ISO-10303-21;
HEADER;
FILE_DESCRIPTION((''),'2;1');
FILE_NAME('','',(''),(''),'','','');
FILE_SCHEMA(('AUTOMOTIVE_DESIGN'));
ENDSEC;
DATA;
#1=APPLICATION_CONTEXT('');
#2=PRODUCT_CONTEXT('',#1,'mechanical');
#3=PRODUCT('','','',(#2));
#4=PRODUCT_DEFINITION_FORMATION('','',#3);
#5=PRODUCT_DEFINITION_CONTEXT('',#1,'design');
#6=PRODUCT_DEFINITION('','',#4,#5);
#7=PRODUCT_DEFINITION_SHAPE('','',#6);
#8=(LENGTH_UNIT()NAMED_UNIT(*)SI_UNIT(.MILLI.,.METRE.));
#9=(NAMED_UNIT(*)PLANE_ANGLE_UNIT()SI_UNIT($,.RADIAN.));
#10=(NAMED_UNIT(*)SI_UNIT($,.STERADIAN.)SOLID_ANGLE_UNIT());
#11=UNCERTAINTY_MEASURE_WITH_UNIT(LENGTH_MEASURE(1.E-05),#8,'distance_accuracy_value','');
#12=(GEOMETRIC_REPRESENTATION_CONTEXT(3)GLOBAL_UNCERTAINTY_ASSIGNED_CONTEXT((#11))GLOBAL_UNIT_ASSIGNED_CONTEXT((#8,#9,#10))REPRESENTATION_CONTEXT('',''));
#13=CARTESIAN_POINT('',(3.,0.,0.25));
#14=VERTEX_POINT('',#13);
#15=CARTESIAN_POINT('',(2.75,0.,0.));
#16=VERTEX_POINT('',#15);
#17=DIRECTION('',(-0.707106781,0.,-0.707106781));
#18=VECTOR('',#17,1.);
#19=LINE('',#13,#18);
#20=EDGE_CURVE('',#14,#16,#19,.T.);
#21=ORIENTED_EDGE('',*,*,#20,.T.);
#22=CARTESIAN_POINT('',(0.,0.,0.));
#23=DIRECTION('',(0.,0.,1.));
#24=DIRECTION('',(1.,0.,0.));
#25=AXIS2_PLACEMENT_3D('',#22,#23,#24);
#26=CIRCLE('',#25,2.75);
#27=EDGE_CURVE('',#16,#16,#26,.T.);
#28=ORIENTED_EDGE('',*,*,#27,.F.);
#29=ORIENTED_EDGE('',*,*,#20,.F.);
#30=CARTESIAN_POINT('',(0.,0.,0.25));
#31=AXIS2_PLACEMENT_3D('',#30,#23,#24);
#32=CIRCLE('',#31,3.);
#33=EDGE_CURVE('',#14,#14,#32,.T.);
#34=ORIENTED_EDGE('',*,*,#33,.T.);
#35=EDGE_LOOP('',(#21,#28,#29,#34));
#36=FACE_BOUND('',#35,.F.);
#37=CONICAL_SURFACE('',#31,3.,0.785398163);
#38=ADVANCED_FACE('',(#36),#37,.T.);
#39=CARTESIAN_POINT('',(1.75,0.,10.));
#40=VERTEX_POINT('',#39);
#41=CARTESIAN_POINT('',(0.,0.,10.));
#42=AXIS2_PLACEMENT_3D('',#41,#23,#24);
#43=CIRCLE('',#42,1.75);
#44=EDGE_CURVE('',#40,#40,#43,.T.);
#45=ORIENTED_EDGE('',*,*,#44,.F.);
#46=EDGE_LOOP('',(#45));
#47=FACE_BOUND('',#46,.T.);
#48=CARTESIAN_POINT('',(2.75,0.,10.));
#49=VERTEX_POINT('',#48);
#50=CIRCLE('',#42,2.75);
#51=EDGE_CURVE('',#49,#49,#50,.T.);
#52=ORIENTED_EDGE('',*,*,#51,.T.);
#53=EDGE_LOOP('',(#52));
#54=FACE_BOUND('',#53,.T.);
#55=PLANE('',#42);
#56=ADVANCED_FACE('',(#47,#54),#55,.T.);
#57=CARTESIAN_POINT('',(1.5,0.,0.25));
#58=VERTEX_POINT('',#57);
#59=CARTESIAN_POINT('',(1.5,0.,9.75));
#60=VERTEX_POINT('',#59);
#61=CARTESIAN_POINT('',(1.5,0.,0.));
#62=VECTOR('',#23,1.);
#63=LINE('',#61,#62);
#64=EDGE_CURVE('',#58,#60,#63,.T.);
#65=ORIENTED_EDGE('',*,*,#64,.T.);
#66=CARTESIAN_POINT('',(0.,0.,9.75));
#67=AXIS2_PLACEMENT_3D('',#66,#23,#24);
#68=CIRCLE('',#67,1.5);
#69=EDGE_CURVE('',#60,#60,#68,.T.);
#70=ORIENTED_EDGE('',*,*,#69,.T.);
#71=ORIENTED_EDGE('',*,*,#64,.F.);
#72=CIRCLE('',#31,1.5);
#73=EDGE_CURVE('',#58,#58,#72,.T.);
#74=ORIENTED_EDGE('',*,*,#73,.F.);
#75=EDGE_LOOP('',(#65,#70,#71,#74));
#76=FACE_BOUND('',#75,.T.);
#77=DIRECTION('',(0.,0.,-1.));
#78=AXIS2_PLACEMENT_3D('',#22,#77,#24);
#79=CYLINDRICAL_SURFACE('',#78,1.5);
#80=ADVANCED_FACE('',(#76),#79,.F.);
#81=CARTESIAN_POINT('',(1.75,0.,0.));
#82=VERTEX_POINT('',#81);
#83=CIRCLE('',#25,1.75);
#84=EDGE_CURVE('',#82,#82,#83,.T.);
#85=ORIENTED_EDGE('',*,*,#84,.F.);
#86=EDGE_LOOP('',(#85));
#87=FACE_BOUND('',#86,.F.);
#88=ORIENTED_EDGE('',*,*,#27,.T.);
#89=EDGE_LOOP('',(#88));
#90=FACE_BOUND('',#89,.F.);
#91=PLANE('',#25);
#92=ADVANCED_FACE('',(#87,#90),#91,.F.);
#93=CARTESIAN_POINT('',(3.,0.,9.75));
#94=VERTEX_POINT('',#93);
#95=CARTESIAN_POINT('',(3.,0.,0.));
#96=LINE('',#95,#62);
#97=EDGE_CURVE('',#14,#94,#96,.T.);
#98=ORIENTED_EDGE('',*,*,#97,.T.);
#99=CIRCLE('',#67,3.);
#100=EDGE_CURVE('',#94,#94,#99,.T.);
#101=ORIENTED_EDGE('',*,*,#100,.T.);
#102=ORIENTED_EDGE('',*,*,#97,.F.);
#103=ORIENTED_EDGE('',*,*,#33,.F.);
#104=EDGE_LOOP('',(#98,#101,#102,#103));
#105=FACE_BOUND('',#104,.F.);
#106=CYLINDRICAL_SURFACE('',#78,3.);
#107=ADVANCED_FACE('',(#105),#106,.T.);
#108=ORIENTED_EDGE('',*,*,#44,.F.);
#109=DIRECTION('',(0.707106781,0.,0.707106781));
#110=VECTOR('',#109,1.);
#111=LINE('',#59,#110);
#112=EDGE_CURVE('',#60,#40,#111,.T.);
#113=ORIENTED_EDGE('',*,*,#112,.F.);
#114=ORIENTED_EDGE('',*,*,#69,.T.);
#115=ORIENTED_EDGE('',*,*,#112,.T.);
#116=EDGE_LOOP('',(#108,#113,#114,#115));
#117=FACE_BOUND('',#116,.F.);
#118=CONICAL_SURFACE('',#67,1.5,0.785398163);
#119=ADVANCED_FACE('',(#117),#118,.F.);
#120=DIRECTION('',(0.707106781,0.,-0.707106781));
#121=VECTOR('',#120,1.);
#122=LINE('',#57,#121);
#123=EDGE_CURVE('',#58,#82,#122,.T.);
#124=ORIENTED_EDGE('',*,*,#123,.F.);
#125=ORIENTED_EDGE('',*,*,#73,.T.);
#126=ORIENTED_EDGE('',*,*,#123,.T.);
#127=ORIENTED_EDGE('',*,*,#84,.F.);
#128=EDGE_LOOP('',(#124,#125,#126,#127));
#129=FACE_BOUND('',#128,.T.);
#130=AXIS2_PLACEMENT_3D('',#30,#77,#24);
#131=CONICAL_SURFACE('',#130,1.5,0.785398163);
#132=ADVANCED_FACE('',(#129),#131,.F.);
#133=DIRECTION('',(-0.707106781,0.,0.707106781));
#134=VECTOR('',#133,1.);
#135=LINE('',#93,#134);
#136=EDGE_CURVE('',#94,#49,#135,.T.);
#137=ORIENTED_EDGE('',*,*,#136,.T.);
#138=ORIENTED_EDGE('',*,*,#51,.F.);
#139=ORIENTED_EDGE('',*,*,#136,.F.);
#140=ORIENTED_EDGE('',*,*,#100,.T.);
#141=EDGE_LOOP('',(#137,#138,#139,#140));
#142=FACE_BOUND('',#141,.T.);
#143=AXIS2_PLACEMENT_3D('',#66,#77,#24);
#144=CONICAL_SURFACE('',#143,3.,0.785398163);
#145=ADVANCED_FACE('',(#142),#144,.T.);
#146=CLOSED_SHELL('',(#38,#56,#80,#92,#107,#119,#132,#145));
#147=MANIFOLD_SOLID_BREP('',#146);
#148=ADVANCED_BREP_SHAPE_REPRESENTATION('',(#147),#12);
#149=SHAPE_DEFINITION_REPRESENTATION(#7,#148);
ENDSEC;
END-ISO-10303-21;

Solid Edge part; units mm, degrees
sketch "Sketch1" plane through (0, 0, 0) normal (0, 0, 1) x (1, 0, 0)
  circle A0 centre (0, 0) radius 1.5
  circle A1 centre (0, 0) radius 3
  dimension "D1" = 3
  dimension "D2" = 6
extrude "Protrusion1" add sketch "Sketch1" along normal blind 10
chamfer "Chamfer" distance 0.25 angle 45 4 edges at (-1.5, 0, 10) (-1.5, 0, 0) (-3, 0, 10) (-3, 0, 0)
